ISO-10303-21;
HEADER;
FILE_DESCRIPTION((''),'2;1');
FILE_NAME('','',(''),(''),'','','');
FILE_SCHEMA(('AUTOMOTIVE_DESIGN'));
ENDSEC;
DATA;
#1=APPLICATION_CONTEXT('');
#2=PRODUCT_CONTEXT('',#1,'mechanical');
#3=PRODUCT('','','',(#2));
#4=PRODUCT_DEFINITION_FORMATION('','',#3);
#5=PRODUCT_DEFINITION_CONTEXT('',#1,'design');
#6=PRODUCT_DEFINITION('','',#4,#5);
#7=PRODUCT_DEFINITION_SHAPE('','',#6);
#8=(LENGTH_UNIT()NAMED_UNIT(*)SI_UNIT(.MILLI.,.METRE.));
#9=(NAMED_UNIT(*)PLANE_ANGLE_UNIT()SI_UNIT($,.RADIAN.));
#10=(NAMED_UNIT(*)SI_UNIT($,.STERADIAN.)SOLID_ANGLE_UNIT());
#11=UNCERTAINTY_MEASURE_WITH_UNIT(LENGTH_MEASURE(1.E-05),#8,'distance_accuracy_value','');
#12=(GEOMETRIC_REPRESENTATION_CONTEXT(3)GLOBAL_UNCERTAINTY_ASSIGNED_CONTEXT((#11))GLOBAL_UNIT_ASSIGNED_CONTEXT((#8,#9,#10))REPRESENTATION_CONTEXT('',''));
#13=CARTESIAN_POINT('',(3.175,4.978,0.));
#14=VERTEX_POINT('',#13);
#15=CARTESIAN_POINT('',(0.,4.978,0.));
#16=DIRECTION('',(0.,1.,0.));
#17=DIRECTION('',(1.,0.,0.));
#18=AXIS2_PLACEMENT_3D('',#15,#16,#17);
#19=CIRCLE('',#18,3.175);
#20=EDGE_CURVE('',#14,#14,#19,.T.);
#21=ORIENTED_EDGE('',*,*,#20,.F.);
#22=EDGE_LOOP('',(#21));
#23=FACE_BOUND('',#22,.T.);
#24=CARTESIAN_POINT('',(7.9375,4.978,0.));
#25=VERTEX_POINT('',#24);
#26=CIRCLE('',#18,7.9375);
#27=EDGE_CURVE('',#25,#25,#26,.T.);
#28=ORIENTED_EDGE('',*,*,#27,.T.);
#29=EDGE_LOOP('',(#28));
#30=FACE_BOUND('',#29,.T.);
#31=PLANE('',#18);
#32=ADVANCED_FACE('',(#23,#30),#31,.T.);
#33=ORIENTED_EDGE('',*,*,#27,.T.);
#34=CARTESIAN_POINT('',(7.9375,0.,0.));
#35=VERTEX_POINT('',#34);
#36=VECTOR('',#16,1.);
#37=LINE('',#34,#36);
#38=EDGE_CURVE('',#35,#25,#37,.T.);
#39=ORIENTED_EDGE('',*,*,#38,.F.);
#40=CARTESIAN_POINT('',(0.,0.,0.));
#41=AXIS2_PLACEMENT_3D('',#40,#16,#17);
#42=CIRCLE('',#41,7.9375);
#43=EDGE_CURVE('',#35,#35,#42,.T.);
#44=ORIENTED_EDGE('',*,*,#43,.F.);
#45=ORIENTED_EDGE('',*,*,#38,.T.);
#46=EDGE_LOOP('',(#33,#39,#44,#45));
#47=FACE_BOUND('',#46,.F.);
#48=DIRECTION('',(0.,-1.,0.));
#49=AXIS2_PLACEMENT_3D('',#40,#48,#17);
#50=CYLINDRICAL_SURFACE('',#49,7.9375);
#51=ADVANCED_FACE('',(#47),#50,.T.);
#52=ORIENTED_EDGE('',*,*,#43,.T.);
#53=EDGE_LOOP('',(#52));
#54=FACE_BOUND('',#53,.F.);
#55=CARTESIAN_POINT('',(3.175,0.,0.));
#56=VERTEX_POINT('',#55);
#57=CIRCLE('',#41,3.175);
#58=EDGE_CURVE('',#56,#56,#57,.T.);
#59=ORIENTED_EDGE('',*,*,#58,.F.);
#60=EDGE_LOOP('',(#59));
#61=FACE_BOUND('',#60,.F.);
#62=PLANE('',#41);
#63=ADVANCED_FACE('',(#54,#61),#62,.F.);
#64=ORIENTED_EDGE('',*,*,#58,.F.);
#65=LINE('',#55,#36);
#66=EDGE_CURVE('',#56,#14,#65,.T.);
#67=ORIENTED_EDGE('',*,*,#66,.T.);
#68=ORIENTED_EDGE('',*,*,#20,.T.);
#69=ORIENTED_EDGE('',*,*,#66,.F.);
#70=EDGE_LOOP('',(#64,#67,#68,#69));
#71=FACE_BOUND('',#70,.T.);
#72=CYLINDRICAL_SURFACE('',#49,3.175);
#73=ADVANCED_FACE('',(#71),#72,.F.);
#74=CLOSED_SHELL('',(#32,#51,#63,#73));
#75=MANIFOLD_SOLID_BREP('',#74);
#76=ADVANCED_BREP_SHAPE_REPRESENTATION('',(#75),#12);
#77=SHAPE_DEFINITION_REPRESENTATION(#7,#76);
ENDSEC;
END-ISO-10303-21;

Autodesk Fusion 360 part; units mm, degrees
sketch "Sketch1" plane through (0, 0, 0) normal (0, 1, 0) x (1, 0, 0)
  circle A0 centre (0, 0) radius 3.175
  circle A1 centre (0, 0) radius 7.9375
  dimension "d1" = 6.35
  dimension "d2" = 15.875
extrude "Extrude1" add sketch "Sketch1" along normal blind 4.978 in component "Component"
component "Component" placed x (1, 0, 0) y (0, 1, 0) z (0, 0, 1) at (0, 0, 0)
